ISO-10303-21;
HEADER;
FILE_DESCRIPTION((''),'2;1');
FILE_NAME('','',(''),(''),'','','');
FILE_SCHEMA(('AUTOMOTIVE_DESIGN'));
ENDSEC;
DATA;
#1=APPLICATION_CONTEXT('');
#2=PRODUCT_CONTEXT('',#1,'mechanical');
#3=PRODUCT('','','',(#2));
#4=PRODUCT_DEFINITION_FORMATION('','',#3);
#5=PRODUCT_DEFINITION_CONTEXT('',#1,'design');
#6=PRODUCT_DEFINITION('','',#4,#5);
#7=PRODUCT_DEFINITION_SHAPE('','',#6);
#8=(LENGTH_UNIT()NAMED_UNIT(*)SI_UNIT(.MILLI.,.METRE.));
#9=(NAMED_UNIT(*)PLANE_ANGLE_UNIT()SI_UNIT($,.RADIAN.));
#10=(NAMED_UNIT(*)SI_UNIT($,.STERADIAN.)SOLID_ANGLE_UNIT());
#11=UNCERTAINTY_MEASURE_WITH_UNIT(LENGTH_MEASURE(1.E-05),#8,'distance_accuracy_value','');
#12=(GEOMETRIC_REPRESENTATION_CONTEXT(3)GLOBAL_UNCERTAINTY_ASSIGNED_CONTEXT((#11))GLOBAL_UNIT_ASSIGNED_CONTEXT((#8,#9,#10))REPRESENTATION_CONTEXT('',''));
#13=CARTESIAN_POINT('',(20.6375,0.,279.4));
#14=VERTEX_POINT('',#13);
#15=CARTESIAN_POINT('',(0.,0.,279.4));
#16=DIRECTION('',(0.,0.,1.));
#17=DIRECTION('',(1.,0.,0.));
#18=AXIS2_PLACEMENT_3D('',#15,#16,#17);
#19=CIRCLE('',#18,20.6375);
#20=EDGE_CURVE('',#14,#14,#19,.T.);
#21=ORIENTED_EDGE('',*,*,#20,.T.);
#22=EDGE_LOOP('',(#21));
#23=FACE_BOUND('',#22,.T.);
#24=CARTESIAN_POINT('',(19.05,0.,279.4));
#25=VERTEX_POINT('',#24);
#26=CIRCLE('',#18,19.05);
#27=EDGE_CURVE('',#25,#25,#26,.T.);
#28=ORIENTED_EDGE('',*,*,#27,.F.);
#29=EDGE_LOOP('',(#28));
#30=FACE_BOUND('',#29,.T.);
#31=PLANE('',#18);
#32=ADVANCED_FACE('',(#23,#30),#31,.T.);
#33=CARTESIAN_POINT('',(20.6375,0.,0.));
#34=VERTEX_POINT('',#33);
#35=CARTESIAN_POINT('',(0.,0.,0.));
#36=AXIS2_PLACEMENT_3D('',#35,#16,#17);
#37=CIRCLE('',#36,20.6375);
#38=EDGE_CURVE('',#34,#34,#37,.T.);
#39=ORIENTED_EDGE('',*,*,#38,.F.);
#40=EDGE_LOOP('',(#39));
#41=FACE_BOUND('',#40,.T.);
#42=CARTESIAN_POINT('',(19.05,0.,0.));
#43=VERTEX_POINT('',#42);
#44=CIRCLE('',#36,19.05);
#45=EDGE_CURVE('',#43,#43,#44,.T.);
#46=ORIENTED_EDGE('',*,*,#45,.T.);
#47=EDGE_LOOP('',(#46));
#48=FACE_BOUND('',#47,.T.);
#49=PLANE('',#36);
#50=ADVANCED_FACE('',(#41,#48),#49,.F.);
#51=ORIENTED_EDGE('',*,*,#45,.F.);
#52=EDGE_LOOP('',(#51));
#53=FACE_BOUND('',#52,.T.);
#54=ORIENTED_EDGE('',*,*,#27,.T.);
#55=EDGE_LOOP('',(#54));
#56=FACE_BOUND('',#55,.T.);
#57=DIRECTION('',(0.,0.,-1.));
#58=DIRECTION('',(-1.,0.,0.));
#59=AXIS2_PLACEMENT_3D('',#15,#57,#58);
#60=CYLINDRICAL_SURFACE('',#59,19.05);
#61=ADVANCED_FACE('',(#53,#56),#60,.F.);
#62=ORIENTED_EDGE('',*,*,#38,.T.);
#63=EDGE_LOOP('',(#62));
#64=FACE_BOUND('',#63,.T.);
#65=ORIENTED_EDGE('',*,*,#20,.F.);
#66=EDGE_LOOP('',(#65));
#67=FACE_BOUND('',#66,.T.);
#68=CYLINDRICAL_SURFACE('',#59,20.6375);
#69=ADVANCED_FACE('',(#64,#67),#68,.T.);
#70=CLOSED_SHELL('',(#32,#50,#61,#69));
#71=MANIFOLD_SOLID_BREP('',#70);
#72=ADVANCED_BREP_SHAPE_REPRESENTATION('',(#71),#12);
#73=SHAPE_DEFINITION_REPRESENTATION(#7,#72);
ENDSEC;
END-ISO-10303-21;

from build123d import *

# Parameters (mm, degrees)
SKETCH1_R           = 20.6375
SKETCH1_R_2         = 19.05
BOSS_EXTRUDE1_DEPTH = 279.4


with BuildPart() as part:
    # Sketch1 → Boss-Extrude1 (new body)
    with BuildSketch(Plane.XY):
        Circle(SKETCH1_R)
        Circle(SKETCH1_R_2, mode=Mode.SUBTRACT)
    extrude(amount=BOSS_EXTRUDE1_DEPTH)


solid = part.part
